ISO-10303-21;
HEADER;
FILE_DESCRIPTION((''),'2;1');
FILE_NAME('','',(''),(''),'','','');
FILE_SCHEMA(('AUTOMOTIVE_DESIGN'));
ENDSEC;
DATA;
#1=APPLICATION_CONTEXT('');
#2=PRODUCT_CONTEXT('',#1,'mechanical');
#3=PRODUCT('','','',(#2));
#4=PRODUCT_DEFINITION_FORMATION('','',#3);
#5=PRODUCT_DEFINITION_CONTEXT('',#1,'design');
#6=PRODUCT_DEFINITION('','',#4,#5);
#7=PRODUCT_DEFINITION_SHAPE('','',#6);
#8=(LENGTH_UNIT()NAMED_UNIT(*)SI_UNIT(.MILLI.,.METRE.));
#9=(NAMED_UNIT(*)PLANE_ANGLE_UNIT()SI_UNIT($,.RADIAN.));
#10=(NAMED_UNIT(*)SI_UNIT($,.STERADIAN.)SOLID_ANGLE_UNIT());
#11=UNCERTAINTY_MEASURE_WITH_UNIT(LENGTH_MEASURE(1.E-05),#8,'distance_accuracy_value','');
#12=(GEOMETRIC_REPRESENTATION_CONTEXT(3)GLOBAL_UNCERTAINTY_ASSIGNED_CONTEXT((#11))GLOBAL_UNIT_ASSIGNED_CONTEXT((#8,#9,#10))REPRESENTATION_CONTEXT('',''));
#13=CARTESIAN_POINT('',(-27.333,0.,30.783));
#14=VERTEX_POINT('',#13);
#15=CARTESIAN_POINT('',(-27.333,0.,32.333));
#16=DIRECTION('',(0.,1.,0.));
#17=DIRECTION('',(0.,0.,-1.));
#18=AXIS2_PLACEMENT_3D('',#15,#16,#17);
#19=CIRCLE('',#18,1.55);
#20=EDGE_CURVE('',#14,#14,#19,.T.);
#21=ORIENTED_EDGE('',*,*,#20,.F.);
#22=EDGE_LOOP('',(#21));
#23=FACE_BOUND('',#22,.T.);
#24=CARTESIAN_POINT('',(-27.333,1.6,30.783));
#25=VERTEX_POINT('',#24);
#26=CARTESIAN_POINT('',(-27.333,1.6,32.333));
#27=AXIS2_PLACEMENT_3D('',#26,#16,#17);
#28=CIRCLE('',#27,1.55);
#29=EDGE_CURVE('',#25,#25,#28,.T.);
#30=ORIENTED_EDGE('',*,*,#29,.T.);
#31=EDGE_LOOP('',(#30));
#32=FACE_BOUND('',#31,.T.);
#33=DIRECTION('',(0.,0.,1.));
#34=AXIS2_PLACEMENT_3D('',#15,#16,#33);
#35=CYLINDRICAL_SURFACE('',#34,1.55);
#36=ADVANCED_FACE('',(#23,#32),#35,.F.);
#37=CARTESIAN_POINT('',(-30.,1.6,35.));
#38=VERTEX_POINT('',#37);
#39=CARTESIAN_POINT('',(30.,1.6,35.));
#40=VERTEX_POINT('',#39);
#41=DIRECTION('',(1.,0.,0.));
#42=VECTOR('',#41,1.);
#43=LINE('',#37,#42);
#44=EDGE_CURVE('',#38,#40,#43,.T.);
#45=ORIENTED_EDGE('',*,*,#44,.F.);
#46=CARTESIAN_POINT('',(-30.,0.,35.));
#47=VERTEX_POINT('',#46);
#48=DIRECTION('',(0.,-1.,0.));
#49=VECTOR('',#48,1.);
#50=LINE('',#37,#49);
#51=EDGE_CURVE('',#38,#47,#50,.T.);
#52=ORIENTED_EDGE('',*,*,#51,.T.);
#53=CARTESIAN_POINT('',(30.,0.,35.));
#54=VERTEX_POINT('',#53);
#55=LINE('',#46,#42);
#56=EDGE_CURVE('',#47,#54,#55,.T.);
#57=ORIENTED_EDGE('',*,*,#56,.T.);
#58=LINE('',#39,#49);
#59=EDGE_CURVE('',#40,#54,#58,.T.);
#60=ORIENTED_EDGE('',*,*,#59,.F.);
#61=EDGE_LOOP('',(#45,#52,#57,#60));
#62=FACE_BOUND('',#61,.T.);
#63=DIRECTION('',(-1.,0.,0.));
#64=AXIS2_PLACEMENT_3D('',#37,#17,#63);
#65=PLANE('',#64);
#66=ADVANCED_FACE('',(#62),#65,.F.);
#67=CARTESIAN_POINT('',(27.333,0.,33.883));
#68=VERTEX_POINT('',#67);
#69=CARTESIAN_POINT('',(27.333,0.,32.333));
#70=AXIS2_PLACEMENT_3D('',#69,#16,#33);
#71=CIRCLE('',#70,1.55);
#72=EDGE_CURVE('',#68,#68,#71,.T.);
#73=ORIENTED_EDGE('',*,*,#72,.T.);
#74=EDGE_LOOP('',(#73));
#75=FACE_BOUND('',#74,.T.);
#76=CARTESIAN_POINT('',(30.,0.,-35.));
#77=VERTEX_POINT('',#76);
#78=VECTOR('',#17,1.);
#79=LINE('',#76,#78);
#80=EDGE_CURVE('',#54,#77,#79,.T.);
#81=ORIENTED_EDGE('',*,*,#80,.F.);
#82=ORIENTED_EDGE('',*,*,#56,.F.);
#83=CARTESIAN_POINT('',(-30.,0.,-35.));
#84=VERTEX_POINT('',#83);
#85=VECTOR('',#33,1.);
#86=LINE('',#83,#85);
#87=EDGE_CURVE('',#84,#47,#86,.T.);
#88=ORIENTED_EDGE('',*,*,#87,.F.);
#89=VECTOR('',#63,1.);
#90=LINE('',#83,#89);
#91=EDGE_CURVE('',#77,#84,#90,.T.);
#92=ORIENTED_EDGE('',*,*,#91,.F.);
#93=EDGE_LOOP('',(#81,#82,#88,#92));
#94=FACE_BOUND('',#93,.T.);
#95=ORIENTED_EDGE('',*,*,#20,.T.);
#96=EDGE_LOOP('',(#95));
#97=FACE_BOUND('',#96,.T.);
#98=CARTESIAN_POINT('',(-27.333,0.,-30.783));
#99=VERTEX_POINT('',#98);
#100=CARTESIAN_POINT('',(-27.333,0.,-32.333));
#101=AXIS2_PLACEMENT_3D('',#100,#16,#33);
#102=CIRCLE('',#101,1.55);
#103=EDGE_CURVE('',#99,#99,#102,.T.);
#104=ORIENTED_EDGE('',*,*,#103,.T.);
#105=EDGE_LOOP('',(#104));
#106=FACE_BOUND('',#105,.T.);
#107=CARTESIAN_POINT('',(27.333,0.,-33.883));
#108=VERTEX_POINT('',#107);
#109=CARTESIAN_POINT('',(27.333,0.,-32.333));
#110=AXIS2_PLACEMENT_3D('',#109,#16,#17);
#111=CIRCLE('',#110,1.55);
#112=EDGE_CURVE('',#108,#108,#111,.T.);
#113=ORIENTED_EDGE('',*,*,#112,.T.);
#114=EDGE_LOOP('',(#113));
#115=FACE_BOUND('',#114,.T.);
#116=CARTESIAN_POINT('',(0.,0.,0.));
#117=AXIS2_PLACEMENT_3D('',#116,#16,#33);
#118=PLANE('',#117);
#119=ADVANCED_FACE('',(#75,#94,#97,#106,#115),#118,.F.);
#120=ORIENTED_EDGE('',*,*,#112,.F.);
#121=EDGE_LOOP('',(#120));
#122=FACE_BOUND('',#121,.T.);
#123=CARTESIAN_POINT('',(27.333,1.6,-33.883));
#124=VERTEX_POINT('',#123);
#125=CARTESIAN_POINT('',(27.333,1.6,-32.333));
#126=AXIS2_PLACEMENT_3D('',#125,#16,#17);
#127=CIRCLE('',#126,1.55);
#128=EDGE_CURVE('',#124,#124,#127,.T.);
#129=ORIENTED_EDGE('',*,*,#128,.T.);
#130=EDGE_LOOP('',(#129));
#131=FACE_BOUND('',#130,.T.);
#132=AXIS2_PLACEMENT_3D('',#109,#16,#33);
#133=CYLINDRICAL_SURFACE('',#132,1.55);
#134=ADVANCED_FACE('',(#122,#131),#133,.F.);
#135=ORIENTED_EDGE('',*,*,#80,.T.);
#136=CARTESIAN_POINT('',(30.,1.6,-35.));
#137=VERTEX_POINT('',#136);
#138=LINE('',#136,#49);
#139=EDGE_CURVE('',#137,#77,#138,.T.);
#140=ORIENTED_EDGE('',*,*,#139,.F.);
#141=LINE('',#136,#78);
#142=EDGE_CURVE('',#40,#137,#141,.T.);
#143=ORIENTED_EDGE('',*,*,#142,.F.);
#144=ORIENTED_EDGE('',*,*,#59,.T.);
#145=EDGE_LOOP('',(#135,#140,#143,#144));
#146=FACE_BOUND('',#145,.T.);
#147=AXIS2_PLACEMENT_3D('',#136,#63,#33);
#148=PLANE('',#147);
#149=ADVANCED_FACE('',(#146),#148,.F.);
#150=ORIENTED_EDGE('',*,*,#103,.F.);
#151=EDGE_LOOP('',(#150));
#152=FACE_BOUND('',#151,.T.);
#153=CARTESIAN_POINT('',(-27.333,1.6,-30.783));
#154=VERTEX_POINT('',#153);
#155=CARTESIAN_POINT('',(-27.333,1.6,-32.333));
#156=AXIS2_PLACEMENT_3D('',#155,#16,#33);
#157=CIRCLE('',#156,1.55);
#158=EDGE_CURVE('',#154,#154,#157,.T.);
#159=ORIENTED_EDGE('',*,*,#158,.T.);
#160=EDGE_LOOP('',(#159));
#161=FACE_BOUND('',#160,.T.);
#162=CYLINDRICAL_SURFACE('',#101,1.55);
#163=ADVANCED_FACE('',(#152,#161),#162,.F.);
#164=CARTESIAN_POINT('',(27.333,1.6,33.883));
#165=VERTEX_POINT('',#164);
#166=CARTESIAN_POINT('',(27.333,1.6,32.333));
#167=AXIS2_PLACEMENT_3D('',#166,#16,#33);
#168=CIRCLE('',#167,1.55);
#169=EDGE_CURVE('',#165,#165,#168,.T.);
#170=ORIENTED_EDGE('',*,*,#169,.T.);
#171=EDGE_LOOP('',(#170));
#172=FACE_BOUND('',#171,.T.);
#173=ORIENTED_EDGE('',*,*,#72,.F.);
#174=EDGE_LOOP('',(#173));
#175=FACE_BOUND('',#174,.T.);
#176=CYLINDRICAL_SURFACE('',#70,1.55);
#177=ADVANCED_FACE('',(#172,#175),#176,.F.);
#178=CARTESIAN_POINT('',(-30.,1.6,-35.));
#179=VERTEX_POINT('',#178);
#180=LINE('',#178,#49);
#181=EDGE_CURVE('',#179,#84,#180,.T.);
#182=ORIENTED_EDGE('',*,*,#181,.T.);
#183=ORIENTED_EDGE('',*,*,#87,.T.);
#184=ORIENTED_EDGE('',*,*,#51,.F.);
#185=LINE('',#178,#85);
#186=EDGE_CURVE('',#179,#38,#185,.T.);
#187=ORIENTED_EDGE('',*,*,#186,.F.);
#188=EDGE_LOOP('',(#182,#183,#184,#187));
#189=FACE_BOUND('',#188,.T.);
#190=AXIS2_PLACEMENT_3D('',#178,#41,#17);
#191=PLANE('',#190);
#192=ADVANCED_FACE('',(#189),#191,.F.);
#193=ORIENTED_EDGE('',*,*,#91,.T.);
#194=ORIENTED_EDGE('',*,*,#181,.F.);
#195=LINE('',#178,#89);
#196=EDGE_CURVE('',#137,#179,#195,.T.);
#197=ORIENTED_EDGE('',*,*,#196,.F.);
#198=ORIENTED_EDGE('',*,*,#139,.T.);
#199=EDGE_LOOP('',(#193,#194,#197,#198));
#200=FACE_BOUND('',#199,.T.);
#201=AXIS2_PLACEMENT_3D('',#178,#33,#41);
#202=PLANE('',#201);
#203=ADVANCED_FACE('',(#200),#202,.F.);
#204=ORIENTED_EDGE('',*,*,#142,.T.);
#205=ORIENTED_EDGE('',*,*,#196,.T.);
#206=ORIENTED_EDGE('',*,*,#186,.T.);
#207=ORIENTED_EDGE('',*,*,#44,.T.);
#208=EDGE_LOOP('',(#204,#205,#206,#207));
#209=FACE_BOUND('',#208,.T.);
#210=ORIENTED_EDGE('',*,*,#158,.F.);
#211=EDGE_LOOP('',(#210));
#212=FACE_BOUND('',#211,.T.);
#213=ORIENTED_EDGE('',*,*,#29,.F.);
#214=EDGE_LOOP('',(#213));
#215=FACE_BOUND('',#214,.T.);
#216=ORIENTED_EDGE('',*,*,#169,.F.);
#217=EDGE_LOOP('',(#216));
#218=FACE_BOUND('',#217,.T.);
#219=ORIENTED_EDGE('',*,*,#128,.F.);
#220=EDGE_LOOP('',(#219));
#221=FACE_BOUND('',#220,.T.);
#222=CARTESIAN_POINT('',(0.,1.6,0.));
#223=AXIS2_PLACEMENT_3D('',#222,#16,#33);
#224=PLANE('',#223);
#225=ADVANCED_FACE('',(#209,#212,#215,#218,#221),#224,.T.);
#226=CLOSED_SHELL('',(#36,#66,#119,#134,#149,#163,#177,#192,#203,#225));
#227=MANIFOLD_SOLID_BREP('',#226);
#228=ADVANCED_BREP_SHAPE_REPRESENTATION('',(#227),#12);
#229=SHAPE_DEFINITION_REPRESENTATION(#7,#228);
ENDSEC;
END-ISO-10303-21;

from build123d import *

# Parameters (mm, degrees)
SKETCH2_W           = 60
SKETCH2_H           = 70
BOSS_EXTRUDE1_DEPTH = 1.6
SKETCH3_R           = 1.55
CUT_EXTRUDE1_DEPTH  = 47.125481027


with BuildPart() as part:
    # Sketch2 → Boss-Extrude1 (new body)
    with BuildSketch(Plane(origin=(0, 0, 0), x_dir=(1, 0, 0), z_dir=(0, 1, 0))):
        Rectangle(SKETCH2_W, SKETCH2_H)
    extrude(amount=BOSS_EXTRUDE1_DEPTH)

    # Sketch3 → Cut-Extrude1 (cut, through all)
    with BuildSketch(Plane(origin=(0, 1.6, 0), x_dir=(1, 0, 0), z_dir=(0, 1, 0))):
        with Locations(Location((-27.333, 32.333, 0), (0, 0, 270))):
            Circle(SKETCH3_R)
        with Locations(Location((27.333, 32.333, 0), (0, 0, 90))):
            Circle(SKETCH3_R)
        with Locations(Location((27.333, -32.333, 0), (0, 0, 270))):
            Circle(SKETCH3_R)
        with Locations(Location((-27.333, -32.333, 0), (0, 0, 90))):
            Circle(SKETCH3_R)
    extrude(amount=-CUT_EXTRUDE1_DEPTH, mode=Mode.SUBTRACT)


solid = part.part
